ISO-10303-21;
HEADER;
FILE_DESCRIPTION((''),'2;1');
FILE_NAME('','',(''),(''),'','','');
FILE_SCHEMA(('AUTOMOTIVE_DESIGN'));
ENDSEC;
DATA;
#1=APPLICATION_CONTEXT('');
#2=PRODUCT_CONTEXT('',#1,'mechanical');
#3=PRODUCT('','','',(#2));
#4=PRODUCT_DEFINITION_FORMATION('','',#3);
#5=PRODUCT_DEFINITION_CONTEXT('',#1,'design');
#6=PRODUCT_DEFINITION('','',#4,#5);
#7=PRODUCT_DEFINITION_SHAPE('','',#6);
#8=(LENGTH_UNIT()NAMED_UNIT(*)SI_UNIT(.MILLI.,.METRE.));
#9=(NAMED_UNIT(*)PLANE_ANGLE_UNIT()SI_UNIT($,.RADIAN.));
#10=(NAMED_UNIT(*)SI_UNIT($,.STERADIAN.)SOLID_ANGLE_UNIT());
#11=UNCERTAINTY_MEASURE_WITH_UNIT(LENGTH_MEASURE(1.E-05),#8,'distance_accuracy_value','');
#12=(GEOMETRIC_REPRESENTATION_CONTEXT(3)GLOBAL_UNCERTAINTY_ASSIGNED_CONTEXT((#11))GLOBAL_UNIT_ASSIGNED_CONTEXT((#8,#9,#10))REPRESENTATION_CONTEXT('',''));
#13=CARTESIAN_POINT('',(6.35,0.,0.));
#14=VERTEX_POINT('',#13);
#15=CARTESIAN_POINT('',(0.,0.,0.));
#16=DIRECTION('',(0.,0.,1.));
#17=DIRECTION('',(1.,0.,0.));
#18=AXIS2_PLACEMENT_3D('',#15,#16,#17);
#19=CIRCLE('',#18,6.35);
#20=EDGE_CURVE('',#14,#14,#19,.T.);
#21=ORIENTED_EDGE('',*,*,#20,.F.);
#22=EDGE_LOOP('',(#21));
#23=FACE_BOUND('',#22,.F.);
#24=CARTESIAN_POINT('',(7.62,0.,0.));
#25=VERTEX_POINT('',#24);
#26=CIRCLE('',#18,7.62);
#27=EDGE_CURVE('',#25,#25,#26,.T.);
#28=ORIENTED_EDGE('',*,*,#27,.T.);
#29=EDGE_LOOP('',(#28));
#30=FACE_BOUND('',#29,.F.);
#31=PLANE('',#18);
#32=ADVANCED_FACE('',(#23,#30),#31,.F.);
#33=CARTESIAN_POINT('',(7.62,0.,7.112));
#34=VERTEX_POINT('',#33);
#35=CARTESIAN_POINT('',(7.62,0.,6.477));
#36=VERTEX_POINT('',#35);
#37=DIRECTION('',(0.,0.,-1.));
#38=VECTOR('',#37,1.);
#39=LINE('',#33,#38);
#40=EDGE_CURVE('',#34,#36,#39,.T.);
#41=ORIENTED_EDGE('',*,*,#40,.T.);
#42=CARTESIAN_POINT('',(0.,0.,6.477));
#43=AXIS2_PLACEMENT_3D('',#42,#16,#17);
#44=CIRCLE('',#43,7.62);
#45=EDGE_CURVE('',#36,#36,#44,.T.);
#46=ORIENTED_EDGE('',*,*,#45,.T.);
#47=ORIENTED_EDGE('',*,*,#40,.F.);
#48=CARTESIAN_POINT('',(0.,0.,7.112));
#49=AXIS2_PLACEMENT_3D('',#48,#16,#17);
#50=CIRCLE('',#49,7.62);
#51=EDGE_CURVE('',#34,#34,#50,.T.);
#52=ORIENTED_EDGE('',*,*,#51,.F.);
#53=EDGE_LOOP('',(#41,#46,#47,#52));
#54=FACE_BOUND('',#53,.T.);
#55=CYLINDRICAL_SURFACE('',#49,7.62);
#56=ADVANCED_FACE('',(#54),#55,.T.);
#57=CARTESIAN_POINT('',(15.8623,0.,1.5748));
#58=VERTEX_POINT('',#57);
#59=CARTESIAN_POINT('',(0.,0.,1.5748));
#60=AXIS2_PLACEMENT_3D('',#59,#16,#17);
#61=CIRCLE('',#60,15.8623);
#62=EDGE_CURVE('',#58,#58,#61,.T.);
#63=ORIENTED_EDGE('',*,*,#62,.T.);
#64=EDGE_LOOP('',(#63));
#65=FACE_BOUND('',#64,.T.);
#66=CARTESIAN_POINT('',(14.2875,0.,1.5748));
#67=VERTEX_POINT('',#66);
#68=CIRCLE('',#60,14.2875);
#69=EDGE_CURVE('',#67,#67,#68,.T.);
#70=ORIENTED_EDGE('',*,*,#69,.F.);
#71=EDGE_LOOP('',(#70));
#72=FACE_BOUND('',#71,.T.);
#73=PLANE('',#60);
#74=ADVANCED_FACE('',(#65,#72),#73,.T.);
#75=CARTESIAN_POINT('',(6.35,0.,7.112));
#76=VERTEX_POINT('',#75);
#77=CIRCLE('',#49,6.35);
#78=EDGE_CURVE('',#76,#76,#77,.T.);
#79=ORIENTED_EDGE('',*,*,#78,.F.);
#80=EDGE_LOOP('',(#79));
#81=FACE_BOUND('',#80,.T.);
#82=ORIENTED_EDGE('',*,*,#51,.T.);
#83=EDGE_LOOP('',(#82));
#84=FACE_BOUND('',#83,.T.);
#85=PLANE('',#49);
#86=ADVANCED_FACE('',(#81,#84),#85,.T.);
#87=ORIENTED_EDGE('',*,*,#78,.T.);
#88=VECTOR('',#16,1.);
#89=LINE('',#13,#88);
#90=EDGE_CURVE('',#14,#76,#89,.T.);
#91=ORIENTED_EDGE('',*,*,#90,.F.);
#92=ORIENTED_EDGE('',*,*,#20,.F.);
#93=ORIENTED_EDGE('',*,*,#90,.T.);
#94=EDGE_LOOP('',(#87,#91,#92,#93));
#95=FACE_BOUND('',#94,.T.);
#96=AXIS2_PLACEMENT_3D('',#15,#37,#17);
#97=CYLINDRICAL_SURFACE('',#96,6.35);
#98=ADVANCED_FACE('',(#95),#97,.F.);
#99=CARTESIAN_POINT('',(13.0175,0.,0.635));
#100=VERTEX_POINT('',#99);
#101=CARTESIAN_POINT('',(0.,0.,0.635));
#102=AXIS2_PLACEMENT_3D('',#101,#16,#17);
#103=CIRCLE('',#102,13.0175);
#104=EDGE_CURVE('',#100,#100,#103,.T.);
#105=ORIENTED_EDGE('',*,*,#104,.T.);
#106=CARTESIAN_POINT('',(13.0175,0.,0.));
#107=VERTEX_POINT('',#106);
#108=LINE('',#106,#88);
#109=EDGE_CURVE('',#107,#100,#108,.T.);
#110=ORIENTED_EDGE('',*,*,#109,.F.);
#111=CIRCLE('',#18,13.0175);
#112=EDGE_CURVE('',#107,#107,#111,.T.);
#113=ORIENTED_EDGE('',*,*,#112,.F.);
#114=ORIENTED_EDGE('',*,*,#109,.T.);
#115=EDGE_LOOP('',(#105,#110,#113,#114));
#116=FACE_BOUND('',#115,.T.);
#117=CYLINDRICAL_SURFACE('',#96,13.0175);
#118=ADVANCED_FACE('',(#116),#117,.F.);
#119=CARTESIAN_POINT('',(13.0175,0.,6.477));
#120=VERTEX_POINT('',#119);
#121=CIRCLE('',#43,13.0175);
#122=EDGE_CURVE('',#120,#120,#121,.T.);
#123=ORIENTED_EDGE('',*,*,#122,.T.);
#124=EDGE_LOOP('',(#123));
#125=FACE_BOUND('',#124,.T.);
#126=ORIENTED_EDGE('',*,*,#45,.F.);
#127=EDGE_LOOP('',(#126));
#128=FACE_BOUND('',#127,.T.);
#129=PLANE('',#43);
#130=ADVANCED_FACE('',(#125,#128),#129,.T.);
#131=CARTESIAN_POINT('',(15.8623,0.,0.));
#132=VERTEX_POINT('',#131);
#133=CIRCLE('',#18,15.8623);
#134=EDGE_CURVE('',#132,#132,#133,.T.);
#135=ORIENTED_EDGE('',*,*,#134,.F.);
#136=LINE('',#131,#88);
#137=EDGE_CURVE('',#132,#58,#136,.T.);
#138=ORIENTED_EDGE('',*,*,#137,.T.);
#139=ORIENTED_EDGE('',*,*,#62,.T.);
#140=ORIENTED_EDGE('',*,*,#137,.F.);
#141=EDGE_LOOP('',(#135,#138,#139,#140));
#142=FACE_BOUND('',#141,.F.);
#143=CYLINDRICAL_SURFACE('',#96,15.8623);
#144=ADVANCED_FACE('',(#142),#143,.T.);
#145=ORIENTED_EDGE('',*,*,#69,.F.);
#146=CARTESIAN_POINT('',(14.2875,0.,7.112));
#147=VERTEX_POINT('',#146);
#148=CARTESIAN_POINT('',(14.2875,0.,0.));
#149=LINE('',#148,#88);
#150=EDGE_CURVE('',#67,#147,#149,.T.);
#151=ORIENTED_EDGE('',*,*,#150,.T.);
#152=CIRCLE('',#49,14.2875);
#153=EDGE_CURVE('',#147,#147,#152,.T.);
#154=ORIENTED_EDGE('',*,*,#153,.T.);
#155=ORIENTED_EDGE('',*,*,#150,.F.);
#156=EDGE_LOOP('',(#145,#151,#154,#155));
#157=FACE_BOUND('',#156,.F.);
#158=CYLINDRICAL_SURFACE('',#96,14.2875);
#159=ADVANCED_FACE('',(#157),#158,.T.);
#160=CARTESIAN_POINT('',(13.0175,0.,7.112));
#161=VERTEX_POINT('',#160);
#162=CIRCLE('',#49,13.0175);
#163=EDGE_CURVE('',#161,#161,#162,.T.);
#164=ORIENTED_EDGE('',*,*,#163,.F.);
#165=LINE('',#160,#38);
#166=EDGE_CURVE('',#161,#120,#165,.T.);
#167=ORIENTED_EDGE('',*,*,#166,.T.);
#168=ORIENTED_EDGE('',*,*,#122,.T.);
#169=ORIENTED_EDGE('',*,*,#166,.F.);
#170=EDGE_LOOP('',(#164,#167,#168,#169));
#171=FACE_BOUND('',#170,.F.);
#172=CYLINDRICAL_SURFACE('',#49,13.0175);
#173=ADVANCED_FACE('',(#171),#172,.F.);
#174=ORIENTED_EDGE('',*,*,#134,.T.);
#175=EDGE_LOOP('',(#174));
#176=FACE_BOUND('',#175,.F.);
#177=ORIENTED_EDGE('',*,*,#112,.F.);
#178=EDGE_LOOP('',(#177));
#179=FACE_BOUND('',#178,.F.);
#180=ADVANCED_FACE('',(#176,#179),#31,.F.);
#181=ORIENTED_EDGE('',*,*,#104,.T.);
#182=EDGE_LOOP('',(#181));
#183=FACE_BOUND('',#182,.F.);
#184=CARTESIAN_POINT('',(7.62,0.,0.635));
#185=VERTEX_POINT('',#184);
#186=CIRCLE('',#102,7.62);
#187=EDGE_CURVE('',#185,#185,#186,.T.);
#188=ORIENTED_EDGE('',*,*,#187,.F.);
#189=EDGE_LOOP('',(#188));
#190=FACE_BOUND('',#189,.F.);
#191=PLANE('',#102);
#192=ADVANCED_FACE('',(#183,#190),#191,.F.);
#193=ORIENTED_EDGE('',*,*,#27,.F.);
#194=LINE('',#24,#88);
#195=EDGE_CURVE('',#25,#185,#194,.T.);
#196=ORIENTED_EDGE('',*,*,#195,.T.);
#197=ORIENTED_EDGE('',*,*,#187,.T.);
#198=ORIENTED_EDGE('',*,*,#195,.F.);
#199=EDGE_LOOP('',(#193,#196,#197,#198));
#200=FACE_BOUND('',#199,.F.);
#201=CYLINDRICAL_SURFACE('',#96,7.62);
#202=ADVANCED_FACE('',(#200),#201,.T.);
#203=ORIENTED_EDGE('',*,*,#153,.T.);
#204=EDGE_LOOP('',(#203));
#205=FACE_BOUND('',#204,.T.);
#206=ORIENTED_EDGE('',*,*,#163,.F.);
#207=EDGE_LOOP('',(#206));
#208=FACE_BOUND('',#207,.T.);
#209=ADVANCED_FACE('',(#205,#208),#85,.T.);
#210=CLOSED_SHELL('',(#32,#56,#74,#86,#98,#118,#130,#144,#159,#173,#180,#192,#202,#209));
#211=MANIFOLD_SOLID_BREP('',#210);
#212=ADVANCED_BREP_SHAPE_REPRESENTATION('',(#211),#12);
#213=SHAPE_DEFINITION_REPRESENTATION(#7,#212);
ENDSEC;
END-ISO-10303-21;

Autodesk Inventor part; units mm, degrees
ref_plane "YZ Plane" through (0, 0, 0) normal (1, 0, 0) x (0, 1, 0)
ref_plane "XZ Plane" through (0, 0, 0) normal (0, 1, 0) x (-1, 0, 0)
ref_plane "XY Plane" through (0, 0, 0) normal (0, 0, 1) x (1, 0, 0)
sketch "Sketch1" plane through (0, 0, 0) normal (0, 0, 1) x (1, 0, 0)
  circle A0 centre (0, 0) radius 6.35
  circle A1 centre (0, 0) radius 14.2875
  circle A2 centre (0, 0) radius 15.8623
  circle A3 centre (0, 0) radius 7.62
  circle A4 centre (0, 0) radius 13.0175
  dimension "d0" = 12.7
  dimension "d1" = 28.575
  dimension "d2" = 31.7246
  dimension "d7" = 15.24
  dimension "d8" = 26.035
extrude "Extrusion1" add sketch "Sketch1" along normal blind 7.112 contours A1 | A3 | A4
extrude "Extrusion2" add sketch "Sketch1" along normal blind 1.5748 contours A2
extrude "Extrusion3" cut sketch "Sketch1" along normal blind 0.635 contours A4
sketch "Sketch2" plane through (0, 0, 7.112) normal (0, 0, 1) x (1, 0, 0)
  circle A0 centre (0, 0) radius 7.62 projected
  circle A1 centre (0, 0) radius 13.0175 projected
extrude "Extrusion4" cut sketch "Sketch2" against normal blind 0.635
properties part number ".5 id 1.125 od flange bearing"
